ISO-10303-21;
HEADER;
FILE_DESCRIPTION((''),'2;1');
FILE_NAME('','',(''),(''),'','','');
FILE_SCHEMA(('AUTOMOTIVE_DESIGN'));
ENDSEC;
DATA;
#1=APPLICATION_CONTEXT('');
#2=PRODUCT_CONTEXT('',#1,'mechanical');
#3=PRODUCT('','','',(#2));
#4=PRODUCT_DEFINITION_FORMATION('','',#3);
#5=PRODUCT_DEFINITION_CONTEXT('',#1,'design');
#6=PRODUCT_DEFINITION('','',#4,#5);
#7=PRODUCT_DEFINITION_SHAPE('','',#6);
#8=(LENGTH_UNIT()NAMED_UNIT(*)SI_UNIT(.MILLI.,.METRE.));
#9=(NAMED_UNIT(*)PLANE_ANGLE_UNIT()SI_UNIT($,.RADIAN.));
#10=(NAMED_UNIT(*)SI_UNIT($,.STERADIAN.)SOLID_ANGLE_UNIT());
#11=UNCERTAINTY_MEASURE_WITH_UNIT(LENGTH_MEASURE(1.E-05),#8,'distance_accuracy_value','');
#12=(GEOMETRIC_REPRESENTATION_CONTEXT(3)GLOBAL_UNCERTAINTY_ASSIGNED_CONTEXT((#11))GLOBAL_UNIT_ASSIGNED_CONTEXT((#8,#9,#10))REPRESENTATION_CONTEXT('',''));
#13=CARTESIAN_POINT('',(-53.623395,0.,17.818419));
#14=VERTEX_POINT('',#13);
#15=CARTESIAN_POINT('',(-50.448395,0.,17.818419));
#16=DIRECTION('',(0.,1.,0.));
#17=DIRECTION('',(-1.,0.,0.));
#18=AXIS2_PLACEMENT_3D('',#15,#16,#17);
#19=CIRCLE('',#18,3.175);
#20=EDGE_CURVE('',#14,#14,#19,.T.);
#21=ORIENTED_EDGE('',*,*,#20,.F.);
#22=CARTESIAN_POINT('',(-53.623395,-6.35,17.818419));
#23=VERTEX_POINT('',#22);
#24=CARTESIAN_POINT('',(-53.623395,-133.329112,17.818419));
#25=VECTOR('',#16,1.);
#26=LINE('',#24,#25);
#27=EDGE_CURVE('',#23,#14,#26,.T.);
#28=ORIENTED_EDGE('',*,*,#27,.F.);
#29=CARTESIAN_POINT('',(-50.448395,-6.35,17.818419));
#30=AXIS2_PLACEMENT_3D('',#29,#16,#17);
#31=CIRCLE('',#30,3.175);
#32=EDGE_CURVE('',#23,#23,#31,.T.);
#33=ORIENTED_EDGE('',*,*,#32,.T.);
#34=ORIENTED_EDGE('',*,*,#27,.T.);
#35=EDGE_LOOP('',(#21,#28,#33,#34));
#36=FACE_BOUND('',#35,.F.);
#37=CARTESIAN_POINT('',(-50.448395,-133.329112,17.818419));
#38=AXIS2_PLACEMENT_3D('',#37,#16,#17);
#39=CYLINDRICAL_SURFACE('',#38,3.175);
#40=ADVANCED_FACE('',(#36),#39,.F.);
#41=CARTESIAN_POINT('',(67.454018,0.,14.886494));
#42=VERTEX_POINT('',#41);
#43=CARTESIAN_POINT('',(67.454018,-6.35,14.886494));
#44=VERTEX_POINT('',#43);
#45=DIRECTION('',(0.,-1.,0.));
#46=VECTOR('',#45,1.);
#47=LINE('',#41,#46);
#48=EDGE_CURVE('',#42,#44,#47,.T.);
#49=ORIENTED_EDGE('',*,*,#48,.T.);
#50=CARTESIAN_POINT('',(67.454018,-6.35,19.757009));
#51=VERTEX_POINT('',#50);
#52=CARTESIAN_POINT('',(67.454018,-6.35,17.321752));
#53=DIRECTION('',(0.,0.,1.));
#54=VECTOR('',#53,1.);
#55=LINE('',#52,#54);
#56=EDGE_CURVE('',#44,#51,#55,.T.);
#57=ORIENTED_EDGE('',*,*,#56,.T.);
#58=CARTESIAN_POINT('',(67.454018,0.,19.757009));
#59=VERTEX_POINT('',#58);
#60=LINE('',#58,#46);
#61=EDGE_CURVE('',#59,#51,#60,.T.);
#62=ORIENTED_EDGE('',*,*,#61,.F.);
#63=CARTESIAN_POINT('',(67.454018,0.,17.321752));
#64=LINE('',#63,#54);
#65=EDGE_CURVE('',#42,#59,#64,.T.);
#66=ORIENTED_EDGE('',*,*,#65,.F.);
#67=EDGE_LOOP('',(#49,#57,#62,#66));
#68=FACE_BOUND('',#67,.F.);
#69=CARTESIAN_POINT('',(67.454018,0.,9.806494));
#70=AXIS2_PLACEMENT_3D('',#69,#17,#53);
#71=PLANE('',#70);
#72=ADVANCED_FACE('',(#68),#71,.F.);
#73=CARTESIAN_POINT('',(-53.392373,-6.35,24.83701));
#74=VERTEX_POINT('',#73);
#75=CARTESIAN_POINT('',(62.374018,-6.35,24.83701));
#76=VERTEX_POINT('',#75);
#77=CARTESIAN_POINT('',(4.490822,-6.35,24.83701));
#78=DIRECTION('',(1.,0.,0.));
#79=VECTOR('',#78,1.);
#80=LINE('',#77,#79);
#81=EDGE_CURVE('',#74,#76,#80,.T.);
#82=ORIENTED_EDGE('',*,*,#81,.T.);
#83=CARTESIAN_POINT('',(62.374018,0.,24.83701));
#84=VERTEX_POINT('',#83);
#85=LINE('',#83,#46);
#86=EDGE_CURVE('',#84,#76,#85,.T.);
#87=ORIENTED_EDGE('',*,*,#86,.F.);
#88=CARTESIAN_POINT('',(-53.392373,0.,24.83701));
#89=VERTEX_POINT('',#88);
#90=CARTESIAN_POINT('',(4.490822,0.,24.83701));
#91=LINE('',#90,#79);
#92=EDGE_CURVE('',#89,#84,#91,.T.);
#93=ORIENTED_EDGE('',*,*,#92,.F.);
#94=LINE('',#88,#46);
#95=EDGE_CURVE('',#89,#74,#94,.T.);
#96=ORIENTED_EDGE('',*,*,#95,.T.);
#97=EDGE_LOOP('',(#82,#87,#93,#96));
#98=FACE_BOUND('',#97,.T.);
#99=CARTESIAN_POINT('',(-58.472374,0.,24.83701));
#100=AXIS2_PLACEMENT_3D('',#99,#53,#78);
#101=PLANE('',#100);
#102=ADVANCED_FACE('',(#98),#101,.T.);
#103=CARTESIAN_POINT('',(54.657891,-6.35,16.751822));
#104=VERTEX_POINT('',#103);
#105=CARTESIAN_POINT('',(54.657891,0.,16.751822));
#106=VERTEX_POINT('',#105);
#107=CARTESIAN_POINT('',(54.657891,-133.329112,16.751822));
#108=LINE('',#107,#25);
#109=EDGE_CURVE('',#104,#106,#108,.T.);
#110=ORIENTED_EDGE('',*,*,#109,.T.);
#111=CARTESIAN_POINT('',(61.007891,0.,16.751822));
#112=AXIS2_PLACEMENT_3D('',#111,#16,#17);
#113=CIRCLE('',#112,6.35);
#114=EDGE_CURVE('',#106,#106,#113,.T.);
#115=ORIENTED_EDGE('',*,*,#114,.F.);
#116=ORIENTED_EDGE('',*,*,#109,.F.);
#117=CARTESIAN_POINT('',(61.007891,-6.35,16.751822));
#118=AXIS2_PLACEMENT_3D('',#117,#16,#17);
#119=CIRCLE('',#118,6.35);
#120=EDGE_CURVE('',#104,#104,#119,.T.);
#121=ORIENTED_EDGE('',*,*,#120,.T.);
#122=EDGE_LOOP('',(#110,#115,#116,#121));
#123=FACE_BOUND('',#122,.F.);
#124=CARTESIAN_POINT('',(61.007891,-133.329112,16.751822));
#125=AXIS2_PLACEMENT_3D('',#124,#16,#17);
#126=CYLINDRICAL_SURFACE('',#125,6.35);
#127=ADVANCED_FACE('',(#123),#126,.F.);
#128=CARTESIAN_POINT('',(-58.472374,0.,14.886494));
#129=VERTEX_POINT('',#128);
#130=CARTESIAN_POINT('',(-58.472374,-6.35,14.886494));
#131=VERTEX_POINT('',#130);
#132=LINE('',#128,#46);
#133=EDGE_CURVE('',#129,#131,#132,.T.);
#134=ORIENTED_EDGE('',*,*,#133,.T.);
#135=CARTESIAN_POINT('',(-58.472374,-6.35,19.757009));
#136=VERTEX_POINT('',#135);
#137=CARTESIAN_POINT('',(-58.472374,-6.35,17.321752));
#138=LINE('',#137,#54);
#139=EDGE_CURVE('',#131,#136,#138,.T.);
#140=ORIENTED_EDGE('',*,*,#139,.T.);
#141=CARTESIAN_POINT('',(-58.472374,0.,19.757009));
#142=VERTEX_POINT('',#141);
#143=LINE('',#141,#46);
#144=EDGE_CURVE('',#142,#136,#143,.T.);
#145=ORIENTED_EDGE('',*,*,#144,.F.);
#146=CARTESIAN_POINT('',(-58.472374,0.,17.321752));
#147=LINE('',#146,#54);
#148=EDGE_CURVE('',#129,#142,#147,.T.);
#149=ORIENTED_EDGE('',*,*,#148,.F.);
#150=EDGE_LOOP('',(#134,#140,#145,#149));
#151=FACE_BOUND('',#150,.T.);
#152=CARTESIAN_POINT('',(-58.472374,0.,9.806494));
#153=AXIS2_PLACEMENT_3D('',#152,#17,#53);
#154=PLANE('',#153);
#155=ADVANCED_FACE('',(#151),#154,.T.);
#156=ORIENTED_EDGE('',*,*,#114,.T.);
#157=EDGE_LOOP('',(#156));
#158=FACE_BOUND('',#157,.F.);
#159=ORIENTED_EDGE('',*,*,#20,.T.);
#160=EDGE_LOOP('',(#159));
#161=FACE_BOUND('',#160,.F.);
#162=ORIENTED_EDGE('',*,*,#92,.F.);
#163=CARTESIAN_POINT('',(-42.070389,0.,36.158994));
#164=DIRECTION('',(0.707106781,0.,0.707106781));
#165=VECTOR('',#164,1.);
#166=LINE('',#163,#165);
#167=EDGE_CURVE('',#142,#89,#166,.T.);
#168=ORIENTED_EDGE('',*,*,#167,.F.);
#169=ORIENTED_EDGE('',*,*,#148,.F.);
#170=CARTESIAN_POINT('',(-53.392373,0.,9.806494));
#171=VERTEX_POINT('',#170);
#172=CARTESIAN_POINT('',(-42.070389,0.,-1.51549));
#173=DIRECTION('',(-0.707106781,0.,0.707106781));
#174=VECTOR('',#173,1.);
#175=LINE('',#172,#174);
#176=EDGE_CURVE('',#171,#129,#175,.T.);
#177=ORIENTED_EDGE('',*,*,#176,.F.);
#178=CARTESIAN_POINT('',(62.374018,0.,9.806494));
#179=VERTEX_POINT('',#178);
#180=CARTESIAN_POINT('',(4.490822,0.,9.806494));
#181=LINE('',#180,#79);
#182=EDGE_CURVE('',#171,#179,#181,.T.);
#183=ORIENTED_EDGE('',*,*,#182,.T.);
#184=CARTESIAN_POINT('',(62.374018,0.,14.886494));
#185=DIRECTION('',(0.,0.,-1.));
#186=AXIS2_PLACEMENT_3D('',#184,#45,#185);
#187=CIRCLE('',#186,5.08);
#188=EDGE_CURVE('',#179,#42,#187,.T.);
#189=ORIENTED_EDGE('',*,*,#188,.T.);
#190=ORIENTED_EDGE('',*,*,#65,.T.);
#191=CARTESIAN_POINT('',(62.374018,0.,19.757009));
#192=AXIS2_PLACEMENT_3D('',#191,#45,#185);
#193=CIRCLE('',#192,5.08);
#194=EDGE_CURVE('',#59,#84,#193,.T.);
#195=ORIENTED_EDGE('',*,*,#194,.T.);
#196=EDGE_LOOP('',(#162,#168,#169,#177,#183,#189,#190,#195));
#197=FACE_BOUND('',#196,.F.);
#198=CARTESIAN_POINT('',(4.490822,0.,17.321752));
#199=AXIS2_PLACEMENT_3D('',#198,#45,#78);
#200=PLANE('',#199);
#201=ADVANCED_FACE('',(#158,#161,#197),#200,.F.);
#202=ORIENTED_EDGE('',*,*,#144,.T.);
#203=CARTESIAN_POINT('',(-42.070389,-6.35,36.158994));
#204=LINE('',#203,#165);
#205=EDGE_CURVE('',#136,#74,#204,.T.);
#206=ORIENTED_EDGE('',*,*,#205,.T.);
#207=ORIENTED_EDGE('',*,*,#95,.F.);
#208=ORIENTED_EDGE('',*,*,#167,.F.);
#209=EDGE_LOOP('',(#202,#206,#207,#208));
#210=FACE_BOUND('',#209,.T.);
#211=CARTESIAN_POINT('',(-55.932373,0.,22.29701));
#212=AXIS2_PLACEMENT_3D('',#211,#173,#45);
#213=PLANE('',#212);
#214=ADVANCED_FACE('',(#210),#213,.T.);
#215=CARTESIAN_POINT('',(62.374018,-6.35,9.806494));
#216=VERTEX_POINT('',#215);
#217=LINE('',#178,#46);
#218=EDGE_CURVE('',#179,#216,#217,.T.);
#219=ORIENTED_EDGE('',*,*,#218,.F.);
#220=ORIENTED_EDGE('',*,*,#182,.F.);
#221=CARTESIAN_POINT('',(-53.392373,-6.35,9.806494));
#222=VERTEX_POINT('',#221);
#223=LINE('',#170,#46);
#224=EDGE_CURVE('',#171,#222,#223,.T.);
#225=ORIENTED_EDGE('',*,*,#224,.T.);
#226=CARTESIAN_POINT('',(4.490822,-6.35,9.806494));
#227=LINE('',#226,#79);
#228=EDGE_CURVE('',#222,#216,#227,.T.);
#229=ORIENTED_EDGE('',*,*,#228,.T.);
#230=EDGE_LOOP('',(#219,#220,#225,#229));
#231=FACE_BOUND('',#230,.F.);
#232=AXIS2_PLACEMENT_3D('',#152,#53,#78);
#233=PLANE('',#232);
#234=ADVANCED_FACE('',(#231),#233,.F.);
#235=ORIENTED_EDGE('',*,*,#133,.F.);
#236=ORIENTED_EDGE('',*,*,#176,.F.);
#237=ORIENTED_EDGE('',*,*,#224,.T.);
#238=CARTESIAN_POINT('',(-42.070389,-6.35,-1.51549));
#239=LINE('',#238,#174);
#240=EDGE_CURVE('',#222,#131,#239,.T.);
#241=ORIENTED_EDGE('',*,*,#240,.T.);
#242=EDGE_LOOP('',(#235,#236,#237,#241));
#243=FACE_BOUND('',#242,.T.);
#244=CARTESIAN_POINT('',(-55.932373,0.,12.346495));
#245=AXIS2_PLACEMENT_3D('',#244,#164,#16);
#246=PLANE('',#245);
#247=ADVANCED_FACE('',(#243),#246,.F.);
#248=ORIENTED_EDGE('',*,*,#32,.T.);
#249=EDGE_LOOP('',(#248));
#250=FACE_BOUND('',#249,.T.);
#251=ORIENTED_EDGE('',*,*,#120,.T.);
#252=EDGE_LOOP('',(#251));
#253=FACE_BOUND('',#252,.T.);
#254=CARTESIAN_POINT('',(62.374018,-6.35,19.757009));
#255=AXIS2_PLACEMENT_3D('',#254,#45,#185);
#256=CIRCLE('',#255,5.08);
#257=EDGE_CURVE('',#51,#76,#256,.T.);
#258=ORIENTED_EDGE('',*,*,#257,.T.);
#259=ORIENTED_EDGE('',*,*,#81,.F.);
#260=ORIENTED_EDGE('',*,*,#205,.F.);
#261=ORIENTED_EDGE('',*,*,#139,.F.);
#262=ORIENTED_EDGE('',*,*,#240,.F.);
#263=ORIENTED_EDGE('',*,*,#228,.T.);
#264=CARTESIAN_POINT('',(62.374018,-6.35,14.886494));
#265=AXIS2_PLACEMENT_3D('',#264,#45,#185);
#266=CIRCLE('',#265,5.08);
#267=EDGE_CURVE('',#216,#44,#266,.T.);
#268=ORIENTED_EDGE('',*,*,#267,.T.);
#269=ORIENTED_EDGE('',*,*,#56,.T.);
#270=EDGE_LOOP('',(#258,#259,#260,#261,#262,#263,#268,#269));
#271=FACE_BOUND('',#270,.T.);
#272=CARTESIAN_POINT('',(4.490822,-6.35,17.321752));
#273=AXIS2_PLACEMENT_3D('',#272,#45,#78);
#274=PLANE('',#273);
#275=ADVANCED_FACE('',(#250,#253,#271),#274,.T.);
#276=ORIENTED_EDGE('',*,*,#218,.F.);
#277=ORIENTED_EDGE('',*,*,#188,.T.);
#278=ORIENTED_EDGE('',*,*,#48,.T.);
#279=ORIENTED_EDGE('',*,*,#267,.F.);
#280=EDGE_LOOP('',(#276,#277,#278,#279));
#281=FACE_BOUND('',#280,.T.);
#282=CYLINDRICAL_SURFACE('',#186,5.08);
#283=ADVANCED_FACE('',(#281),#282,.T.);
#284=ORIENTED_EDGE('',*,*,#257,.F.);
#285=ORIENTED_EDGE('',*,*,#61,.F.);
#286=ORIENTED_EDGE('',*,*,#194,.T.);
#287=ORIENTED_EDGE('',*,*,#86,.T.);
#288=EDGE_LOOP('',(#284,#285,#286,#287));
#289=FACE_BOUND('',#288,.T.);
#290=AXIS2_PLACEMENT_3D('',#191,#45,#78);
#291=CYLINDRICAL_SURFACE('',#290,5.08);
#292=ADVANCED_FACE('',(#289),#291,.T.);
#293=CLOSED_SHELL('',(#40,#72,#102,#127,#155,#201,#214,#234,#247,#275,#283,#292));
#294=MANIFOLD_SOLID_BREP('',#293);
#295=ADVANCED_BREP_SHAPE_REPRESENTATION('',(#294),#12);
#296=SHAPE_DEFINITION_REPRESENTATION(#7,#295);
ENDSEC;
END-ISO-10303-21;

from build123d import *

# Parameters (mm, degrees)
F0_W     = 125.926391
F0_H     = 15.030515
F1_DEPTH = 6.35
F2_R     = 5.08
F3_SIZE  = 5.08
F5_D     = 12.7
F7_D     = 6.35


with BuildPart() as f1:
    # F0 (on Front) → F1 (new body)
    with BuildSketch(Plane.XZ):
        with Locations((4.490822, 17.321752)):
            Rectangle(F0_W, F0_H)
    extrude(amount=F1_DEPTH)

    # F2
    f2_edges = [f1.edges().sort_by_distance(p)[0] for p in [
        (67.454018, -3.175, 24.83701),
        (67.454018, -3.175, 9.806495),
    ]]
    fillet(f2_edges, radius=F2_R)

    # F3
    f3_edges = [f1.edges().sort_by_distance(p)[0] for p in [
        (-58.472373, -3.175, 24.83701),
        (-58.472373, -3.175, 9.806495),
    ]]
    chamfer(f3_edges, length=F3_SIZE)

    # F5 (through all)
    with Locations(Plane.XZ.offset(6.35)):
        with Locations((61.007891, 16.751822)):
            Hole(F5_D / 2)

    # F7 (through all)
    with Locations(Plane.XZ.offset(6.35)):
        with Locations((-50.448395, 17.818419)):
            Hole(F7_D / 2)


solid = f1.part
